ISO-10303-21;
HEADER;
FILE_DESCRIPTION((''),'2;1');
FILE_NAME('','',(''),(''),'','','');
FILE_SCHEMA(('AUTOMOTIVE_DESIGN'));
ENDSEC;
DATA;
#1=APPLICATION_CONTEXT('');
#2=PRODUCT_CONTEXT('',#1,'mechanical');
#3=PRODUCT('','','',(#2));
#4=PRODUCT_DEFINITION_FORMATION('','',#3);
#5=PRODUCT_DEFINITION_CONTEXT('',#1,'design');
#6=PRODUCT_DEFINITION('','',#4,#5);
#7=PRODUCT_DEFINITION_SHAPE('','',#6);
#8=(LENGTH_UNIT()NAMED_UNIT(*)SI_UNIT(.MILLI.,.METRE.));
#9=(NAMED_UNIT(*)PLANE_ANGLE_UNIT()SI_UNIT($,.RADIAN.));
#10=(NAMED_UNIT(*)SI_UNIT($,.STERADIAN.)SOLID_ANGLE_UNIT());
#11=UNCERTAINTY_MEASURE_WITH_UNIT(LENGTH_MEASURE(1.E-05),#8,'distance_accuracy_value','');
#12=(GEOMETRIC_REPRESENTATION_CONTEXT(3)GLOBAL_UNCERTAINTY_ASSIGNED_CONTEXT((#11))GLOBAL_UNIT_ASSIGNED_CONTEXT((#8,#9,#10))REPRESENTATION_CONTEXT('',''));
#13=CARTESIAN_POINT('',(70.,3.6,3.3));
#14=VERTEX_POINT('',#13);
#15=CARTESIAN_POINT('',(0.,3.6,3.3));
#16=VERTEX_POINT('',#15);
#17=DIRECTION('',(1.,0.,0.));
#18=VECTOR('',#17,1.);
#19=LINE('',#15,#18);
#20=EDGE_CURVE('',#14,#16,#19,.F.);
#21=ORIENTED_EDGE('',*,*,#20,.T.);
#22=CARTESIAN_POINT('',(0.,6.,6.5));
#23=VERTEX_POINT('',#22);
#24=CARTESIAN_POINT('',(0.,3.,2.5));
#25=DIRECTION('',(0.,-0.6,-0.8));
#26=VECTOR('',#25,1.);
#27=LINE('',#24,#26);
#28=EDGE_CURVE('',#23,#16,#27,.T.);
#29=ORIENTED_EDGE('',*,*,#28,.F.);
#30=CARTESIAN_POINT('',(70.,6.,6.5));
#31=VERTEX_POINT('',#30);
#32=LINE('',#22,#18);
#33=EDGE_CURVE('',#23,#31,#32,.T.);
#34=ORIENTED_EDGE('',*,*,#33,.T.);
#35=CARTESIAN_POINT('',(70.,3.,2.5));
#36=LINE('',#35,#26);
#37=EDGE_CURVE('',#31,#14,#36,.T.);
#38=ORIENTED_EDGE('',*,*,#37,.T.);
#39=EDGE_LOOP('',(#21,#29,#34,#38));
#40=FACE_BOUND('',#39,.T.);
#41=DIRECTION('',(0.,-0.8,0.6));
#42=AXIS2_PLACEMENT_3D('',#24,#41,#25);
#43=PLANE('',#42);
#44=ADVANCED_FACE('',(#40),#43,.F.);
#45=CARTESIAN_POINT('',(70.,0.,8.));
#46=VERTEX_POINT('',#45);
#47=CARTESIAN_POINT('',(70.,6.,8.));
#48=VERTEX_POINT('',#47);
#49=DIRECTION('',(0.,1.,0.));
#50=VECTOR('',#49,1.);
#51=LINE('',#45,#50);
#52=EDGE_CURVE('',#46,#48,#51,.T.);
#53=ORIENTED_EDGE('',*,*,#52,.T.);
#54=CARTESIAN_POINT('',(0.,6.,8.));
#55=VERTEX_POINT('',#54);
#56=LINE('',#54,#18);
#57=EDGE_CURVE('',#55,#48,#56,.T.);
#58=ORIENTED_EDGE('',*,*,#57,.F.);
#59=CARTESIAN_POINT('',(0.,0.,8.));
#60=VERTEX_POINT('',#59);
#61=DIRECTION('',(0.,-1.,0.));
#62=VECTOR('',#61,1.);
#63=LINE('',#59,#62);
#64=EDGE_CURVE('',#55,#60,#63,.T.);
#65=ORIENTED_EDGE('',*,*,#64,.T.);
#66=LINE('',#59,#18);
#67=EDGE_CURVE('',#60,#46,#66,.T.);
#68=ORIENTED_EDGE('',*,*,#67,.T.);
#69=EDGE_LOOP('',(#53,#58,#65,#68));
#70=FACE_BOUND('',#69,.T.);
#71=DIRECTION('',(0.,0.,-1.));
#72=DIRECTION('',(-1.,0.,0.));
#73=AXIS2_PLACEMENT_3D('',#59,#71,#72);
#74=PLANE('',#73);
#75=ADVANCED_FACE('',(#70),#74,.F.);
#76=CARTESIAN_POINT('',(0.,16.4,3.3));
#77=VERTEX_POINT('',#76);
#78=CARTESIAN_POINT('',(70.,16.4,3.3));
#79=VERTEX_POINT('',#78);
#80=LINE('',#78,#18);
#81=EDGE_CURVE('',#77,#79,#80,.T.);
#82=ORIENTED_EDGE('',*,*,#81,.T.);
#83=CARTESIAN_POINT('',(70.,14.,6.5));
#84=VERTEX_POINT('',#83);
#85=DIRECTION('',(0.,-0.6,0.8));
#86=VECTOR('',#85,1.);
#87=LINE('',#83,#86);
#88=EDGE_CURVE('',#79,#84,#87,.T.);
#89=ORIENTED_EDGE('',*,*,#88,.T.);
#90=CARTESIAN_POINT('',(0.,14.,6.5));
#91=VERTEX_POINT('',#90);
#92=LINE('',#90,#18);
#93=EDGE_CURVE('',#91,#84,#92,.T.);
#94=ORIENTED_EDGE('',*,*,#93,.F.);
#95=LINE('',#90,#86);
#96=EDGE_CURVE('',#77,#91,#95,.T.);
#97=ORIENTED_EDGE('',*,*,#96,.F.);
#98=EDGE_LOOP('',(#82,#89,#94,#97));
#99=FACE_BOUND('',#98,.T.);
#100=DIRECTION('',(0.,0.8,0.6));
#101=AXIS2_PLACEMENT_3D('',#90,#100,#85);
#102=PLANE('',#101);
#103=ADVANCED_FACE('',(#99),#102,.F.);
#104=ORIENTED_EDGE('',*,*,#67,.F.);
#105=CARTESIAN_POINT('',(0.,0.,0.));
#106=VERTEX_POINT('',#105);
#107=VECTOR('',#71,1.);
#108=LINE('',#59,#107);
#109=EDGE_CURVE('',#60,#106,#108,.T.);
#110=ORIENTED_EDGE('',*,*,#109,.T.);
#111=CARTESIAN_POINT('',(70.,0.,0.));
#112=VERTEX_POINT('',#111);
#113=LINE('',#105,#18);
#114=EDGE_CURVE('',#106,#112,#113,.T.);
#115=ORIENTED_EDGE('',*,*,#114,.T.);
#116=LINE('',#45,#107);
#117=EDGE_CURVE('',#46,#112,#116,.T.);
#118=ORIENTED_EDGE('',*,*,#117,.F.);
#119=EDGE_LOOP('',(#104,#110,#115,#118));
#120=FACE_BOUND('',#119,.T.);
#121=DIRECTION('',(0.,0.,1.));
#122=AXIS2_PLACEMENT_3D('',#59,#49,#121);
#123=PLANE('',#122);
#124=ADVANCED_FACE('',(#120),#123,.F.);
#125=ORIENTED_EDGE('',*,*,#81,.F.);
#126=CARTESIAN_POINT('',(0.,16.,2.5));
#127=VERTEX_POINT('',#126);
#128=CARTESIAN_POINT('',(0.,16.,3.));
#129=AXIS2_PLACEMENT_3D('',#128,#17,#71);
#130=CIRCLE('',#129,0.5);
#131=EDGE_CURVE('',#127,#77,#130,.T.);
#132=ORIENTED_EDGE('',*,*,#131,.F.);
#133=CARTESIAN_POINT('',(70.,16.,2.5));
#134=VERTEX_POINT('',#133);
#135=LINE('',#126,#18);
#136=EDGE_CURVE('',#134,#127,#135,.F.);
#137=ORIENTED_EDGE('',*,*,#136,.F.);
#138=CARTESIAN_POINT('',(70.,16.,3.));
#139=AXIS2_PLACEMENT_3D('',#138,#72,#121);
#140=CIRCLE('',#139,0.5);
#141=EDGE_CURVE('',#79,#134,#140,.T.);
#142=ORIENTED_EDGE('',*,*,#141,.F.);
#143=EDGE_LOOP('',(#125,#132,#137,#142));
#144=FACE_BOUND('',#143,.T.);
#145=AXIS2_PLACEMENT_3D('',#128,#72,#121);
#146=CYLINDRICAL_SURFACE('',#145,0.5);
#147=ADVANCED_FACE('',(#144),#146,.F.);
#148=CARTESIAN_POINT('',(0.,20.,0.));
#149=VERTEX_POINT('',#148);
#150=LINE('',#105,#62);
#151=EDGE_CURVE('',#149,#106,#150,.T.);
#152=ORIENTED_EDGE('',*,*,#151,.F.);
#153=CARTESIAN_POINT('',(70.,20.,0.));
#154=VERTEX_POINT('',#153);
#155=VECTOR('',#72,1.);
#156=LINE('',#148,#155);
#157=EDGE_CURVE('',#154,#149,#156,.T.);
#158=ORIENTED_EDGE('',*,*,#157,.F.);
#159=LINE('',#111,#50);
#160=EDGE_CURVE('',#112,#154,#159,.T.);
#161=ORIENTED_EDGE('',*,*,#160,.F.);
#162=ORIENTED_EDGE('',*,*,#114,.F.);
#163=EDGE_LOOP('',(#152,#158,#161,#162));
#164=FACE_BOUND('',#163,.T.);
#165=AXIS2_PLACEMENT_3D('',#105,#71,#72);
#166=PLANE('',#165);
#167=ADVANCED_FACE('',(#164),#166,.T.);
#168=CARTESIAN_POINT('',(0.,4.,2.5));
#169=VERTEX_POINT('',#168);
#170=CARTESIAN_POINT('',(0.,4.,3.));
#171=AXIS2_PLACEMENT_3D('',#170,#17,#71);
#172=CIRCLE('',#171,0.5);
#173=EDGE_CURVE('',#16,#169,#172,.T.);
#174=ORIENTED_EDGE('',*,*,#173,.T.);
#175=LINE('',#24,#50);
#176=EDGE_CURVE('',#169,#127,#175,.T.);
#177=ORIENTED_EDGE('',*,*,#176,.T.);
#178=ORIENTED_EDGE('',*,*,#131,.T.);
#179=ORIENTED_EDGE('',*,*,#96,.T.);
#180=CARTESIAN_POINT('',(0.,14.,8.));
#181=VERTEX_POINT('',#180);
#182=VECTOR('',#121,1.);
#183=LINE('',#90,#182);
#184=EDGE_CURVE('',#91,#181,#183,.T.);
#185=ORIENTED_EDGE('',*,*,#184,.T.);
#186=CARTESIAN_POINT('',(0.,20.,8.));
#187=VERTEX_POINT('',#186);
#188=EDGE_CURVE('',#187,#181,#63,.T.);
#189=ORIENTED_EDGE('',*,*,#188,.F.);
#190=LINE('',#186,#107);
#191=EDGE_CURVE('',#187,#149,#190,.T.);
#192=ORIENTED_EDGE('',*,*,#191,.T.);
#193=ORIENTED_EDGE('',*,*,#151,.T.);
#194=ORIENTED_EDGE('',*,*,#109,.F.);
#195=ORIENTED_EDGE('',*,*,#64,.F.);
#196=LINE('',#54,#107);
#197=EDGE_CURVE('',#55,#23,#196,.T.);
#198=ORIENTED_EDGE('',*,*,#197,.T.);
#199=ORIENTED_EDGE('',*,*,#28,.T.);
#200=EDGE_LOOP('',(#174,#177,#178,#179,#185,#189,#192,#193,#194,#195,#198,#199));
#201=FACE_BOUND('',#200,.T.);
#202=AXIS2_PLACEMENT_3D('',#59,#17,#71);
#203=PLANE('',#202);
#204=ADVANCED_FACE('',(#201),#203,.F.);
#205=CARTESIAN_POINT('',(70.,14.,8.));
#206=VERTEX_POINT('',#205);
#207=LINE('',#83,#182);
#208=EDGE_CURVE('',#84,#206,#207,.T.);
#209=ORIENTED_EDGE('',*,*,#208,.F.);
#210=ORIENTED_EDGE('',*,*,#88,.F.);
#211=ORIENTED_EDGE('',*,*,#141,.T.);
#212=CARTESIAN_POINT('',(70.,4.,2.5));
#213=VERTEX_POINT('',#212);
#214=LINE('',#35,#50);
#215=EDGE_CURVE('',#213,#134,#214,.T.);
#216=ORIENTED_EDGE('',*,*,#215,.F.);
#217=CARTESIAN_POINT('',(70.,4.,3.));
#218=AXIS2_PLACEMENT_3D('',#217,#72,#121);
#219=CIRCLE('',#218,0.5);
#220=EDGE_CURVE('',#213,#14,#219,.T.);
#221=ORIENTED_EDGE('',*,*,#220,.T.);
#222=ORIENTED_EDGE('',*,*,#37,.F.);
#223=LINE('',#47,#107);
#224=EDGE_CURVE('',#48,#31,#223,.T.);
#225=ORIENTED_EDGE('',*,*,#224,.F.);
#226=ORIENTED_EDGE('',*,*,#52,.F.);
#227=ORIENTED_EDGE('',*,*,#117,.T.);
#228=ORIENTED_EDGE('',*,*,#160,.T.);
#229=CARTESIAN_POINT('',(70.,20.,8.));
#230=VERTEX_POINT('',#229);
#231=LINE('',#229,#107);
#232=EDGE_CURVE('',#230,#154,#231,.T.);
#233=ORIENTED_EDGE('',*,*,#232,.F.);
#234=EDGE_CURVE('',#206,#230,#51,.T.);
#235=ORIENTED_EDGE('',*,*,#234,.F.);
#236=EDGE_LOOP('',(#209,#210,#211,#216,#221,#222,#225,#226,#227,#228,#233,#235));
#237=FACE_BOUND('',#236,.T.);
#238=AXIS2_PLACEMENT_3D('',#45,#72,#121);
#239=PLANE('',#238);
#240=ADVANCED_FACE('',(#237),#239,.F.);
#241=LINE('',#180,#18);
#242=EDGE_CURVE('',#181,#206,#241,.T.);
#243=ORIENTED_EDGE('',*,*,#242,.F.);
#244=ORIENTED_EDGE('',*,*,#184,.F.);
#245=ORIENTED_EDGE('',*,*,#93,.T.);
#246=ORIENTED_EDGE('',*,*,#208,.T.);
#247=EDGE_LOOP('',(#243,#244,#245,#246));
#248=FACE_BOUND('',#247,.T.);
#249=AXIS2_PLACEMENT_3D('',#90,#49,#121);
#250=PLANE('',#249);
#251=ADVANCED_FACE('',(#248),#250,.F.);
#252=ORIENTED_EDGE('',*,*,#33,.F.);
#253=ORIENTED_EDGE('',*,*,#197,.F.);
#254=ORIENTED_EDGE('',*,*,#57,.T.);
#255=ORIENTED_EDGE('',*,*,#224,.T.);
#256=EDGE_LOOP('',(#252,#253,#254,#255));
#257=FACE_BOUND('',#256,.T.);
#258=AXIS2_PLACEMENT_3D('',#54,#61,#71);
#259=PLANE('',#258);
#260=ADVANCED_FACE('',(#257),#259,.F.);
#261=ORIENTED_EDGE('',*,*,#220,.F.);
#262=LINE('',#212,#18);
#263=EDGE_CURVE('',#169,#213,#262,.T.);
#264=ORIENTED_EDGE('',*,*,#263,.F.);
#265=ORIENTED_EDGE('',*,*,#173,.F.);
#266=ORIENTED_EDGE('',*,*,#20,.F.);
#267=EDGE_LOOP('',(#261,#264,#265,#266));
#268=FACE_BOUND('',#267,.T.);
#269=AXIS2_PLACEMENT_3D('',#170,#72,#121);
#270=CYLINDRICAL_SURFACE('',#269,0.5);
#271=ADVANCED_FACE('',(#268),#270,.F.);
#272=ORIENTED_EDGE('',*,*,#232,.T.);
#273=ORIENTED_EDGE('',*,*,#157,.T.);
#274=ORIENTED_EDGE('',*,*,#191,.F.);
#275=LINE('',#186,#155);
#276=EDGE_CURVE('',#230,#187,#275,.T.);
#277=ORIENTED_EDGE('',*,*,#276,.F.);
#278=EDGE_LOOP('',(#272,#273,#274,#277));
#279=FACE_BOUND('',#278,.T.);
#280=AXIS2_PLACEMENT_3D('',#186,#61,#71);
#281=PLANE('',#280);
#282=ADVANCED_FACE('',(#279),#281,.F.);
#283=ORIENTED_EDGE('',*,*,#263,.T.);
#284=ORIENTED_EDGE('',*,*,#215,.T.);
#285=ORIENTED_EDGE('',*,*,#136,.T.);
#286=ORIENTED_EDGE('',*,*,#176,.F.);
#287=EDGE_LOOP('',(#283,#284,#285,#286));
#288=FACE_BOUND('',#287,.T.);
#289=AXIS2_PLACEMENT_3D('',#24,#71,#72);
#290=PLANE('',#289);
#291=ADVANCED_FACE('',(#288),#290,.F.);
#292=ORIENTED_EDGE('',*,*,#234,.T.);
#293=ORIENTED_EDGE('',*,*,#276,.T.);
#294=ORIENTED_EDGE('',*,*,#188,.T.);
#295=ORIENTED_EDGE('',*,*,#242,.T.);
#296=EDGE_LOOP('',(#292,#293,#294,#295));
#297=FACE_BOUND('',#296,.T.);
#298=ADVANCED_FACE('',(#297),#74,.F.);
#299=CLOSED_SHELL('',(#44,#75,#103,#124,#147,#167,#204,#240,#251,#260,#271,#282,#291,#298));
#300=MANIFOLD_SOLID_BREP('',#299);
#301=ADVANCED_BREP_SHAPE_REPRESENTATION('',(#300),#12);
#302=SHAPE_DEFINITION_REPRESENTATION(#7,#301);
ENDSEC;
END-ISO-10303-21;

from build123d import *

# Parameters (mm, degrees)
SKETCH1_W           = 70
SKETCH1_H           = 20
BOSS_EXTRUDE1_DEPTH = 8
CUT_EXTRUDE1_DEPTH  = 74.239333694
FILLET1_R           = 0.5
FILLET2_R           = 0.5


with BuildPart() as part:
    # Sketch1 → Boss-Extrude1 (new body)
    with BuildSketch(Plane.XY):
        with Locations((35, 10)):
            Rectangle(SKETCH1_W, SKETCH1_H)
    extrude(amount=BOSS_EXTRUDE1_DEPTH)

    # Sketch2 → Cut-Extrude1 (cut, through all)
    with BuildSketch(Plane(origin=(70, 0, 0), x_dir=(0, 0, -1), z_dir=(1, 0, 0))):
        Polygon((-8, 6), (-6.5, 6), (-2.5, 3), (-2.5, 17), (-6.5, 14), (-8, 14), align=None)
    extrude(amount=-CUT_EXTRUDE1_DEPTH, mode=Mode.SUBTRACT)

    # Fillet1
    fillet1_edges = [part.edges().sort_by_distance(p)[0] for p in [
        (35, 3, 2.5),
    ]]
    fillet(fillet1_edges, radius=FILLET1_R)

    # Fillet2
    fillet2_edges = [part.edges().sort_by_distance(p)[0] for p in [
        (35, 17, 2.5),
    ]]
    fillet(fillet2_edges, radius=FILLET2_R)


solid = part.part
